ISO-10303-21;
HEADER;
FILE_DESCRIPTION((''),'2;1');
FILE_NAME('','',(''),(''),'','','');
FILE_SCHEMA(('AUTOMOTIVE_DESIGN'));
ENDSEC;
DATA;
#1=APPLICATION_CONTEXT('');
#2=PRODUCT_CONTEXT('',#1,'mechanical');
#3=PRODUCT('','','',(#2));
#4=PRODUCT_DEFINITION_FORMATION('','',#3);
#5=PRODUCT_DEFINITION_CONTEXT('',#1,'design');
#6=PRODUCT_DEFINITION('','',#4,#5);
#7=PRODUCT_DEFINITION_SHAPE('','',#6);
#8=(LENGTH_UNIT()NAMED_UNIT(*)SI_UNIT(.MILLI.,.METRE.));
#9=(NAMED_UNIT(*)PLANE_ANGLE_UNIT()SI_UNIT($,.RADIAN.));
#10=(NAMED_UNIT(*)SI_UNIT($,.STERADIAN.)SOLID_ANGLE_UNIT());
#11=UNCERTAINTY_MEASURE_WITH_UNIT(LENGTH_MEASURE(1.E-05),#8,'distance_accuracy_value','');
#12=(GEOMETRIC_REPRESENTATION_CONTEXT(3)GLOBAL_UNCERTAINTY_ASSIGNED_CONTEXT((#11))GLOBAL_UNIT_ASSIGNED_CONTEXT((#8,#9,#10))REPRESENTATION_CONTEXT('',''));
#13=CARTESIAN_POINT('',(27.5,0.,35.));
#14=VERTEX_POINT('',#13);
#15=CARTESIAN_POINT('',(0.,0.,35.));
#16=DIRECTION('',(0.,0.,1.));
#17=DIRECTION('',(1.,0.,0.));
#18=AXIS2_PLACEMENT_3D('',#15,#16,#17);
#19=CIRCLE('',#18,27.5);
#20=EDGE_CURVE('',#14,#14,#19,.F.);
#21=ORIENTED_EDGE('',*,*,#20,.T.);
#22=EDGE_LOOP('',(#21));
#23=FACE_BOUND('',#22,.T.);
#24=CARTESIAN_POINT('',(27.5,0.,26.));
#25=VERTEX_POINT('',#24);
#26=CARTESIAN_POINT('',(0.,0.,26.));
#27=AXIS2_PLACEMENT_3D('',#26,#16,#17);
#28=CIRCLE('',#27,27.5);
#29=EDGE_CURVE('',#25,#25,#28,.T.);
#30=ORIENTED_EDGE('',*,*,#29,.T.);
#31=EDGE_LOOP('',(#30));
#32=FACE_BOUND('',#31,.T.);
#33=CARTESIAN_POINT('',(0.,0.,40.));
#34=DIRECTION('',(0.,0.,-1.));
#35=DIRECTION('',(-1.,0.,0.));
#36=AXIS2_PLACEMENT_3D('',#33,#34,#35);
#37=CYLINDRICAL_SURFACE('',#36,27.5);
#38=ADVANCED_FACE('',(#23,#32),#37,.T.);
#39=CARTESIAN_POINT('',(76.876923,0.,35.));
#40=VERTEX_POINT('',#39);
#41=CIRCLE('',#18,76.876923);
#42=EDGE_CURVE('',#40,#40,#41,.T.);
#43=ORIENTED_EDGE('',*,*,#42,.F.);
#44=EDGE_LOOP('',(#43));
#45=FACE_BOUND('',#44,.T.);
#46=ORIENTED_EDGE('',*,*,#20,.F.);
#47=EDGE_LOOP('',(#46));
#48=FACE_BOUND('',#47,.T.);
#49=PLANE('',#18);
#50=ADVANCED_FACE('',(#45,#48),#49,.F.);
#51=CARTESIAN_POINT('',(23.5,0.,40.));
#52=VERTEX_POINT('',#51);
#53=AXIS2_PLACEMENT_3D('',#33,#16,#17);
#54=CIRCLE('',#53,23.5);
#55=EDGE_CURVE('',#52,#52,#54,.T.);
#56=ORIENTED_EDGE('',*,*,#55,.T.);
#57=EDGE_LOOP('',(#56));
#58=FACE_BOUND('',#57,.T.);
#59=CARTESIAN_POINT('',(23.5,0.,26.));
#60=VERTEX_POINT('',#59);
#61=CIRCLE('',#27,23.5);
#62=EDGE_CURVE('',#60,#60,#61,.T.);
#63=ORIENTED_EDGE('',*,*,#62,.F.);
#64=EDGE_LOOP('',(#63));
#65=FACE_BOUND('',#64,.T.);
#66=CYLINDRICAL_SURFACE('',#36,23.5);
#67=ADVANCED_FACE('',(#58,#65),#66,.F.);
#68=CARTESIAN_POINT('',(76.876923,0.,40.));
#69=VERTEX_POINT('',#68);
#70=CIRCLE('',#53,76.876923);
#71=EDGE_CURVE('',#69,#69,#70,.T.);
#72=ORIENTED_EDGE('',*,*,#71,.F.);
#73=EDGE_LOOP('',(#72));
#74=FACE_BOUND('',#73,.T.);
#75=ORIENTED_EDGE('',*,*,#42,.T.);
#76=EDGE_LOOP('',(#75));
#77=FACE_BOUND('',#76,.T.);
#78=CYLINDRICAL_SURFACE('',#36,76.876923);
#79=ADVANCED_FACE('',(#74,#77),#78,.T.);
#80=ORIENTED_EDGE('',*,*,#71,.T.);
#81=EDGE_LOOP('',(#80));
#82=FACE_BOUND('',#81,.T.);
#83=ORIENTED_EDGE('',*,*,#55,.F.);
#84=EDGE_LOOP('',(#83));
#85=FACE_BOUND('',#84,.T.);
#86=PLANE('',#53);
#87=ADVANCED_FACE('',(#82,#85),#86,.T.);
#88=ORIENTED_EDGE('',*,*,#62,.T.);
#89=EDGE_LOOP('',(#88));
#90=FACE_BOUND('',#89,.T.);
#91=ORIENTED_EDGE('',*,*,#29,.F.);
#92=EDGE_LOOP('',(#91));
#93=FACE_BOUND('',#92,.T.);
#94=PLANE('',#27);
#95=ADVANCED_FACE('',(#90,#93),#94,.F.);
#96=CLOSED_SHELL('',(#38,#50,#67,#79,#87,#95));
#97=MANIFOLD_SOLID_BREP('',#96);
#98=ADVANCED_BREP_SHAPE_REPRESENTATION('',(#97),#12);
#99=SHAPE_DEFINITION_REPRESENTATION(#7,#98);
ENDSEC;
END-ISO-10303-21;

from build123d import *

# Parameters (mm, degrees)
COVER_WEB_START    = 35
SKETCH_1_R         = 76.876923077
SKETCH_1_R_2       = 23.5
COVER_WEB_DEPTH    = 5
BEARING_BOSS_START = 26
SKETCH_2_R         = 27.5
SKETCH_2_R_2       = 23.5
BEARING_BOSS_DEPTH = 14


with BuildPart() as part:
    # Эскиз1 → Cover_web (new body)
    with BuildSketch(Plane.XY.offset(COVER_WEB_START)):
        Circle(SKETCH_1_R)
        Circle(SKETCH_1_R_2, mode=Mode.SUBTRACT)
    extrude(amount=COVER_WEB_DEPTH)

    # Эскиз2 → Bearing_boss (add)
    with BuildSketch(Plane.XY.offset(BEARING_BOSS_START)):
        Circle(SKETCH_2_R)
        Circle(SKETCH_2_R_2, mode=Mode.SUBTRACT)
    extrude(amount=BEARING_BOSS_DEPTH)


solid = part.part
